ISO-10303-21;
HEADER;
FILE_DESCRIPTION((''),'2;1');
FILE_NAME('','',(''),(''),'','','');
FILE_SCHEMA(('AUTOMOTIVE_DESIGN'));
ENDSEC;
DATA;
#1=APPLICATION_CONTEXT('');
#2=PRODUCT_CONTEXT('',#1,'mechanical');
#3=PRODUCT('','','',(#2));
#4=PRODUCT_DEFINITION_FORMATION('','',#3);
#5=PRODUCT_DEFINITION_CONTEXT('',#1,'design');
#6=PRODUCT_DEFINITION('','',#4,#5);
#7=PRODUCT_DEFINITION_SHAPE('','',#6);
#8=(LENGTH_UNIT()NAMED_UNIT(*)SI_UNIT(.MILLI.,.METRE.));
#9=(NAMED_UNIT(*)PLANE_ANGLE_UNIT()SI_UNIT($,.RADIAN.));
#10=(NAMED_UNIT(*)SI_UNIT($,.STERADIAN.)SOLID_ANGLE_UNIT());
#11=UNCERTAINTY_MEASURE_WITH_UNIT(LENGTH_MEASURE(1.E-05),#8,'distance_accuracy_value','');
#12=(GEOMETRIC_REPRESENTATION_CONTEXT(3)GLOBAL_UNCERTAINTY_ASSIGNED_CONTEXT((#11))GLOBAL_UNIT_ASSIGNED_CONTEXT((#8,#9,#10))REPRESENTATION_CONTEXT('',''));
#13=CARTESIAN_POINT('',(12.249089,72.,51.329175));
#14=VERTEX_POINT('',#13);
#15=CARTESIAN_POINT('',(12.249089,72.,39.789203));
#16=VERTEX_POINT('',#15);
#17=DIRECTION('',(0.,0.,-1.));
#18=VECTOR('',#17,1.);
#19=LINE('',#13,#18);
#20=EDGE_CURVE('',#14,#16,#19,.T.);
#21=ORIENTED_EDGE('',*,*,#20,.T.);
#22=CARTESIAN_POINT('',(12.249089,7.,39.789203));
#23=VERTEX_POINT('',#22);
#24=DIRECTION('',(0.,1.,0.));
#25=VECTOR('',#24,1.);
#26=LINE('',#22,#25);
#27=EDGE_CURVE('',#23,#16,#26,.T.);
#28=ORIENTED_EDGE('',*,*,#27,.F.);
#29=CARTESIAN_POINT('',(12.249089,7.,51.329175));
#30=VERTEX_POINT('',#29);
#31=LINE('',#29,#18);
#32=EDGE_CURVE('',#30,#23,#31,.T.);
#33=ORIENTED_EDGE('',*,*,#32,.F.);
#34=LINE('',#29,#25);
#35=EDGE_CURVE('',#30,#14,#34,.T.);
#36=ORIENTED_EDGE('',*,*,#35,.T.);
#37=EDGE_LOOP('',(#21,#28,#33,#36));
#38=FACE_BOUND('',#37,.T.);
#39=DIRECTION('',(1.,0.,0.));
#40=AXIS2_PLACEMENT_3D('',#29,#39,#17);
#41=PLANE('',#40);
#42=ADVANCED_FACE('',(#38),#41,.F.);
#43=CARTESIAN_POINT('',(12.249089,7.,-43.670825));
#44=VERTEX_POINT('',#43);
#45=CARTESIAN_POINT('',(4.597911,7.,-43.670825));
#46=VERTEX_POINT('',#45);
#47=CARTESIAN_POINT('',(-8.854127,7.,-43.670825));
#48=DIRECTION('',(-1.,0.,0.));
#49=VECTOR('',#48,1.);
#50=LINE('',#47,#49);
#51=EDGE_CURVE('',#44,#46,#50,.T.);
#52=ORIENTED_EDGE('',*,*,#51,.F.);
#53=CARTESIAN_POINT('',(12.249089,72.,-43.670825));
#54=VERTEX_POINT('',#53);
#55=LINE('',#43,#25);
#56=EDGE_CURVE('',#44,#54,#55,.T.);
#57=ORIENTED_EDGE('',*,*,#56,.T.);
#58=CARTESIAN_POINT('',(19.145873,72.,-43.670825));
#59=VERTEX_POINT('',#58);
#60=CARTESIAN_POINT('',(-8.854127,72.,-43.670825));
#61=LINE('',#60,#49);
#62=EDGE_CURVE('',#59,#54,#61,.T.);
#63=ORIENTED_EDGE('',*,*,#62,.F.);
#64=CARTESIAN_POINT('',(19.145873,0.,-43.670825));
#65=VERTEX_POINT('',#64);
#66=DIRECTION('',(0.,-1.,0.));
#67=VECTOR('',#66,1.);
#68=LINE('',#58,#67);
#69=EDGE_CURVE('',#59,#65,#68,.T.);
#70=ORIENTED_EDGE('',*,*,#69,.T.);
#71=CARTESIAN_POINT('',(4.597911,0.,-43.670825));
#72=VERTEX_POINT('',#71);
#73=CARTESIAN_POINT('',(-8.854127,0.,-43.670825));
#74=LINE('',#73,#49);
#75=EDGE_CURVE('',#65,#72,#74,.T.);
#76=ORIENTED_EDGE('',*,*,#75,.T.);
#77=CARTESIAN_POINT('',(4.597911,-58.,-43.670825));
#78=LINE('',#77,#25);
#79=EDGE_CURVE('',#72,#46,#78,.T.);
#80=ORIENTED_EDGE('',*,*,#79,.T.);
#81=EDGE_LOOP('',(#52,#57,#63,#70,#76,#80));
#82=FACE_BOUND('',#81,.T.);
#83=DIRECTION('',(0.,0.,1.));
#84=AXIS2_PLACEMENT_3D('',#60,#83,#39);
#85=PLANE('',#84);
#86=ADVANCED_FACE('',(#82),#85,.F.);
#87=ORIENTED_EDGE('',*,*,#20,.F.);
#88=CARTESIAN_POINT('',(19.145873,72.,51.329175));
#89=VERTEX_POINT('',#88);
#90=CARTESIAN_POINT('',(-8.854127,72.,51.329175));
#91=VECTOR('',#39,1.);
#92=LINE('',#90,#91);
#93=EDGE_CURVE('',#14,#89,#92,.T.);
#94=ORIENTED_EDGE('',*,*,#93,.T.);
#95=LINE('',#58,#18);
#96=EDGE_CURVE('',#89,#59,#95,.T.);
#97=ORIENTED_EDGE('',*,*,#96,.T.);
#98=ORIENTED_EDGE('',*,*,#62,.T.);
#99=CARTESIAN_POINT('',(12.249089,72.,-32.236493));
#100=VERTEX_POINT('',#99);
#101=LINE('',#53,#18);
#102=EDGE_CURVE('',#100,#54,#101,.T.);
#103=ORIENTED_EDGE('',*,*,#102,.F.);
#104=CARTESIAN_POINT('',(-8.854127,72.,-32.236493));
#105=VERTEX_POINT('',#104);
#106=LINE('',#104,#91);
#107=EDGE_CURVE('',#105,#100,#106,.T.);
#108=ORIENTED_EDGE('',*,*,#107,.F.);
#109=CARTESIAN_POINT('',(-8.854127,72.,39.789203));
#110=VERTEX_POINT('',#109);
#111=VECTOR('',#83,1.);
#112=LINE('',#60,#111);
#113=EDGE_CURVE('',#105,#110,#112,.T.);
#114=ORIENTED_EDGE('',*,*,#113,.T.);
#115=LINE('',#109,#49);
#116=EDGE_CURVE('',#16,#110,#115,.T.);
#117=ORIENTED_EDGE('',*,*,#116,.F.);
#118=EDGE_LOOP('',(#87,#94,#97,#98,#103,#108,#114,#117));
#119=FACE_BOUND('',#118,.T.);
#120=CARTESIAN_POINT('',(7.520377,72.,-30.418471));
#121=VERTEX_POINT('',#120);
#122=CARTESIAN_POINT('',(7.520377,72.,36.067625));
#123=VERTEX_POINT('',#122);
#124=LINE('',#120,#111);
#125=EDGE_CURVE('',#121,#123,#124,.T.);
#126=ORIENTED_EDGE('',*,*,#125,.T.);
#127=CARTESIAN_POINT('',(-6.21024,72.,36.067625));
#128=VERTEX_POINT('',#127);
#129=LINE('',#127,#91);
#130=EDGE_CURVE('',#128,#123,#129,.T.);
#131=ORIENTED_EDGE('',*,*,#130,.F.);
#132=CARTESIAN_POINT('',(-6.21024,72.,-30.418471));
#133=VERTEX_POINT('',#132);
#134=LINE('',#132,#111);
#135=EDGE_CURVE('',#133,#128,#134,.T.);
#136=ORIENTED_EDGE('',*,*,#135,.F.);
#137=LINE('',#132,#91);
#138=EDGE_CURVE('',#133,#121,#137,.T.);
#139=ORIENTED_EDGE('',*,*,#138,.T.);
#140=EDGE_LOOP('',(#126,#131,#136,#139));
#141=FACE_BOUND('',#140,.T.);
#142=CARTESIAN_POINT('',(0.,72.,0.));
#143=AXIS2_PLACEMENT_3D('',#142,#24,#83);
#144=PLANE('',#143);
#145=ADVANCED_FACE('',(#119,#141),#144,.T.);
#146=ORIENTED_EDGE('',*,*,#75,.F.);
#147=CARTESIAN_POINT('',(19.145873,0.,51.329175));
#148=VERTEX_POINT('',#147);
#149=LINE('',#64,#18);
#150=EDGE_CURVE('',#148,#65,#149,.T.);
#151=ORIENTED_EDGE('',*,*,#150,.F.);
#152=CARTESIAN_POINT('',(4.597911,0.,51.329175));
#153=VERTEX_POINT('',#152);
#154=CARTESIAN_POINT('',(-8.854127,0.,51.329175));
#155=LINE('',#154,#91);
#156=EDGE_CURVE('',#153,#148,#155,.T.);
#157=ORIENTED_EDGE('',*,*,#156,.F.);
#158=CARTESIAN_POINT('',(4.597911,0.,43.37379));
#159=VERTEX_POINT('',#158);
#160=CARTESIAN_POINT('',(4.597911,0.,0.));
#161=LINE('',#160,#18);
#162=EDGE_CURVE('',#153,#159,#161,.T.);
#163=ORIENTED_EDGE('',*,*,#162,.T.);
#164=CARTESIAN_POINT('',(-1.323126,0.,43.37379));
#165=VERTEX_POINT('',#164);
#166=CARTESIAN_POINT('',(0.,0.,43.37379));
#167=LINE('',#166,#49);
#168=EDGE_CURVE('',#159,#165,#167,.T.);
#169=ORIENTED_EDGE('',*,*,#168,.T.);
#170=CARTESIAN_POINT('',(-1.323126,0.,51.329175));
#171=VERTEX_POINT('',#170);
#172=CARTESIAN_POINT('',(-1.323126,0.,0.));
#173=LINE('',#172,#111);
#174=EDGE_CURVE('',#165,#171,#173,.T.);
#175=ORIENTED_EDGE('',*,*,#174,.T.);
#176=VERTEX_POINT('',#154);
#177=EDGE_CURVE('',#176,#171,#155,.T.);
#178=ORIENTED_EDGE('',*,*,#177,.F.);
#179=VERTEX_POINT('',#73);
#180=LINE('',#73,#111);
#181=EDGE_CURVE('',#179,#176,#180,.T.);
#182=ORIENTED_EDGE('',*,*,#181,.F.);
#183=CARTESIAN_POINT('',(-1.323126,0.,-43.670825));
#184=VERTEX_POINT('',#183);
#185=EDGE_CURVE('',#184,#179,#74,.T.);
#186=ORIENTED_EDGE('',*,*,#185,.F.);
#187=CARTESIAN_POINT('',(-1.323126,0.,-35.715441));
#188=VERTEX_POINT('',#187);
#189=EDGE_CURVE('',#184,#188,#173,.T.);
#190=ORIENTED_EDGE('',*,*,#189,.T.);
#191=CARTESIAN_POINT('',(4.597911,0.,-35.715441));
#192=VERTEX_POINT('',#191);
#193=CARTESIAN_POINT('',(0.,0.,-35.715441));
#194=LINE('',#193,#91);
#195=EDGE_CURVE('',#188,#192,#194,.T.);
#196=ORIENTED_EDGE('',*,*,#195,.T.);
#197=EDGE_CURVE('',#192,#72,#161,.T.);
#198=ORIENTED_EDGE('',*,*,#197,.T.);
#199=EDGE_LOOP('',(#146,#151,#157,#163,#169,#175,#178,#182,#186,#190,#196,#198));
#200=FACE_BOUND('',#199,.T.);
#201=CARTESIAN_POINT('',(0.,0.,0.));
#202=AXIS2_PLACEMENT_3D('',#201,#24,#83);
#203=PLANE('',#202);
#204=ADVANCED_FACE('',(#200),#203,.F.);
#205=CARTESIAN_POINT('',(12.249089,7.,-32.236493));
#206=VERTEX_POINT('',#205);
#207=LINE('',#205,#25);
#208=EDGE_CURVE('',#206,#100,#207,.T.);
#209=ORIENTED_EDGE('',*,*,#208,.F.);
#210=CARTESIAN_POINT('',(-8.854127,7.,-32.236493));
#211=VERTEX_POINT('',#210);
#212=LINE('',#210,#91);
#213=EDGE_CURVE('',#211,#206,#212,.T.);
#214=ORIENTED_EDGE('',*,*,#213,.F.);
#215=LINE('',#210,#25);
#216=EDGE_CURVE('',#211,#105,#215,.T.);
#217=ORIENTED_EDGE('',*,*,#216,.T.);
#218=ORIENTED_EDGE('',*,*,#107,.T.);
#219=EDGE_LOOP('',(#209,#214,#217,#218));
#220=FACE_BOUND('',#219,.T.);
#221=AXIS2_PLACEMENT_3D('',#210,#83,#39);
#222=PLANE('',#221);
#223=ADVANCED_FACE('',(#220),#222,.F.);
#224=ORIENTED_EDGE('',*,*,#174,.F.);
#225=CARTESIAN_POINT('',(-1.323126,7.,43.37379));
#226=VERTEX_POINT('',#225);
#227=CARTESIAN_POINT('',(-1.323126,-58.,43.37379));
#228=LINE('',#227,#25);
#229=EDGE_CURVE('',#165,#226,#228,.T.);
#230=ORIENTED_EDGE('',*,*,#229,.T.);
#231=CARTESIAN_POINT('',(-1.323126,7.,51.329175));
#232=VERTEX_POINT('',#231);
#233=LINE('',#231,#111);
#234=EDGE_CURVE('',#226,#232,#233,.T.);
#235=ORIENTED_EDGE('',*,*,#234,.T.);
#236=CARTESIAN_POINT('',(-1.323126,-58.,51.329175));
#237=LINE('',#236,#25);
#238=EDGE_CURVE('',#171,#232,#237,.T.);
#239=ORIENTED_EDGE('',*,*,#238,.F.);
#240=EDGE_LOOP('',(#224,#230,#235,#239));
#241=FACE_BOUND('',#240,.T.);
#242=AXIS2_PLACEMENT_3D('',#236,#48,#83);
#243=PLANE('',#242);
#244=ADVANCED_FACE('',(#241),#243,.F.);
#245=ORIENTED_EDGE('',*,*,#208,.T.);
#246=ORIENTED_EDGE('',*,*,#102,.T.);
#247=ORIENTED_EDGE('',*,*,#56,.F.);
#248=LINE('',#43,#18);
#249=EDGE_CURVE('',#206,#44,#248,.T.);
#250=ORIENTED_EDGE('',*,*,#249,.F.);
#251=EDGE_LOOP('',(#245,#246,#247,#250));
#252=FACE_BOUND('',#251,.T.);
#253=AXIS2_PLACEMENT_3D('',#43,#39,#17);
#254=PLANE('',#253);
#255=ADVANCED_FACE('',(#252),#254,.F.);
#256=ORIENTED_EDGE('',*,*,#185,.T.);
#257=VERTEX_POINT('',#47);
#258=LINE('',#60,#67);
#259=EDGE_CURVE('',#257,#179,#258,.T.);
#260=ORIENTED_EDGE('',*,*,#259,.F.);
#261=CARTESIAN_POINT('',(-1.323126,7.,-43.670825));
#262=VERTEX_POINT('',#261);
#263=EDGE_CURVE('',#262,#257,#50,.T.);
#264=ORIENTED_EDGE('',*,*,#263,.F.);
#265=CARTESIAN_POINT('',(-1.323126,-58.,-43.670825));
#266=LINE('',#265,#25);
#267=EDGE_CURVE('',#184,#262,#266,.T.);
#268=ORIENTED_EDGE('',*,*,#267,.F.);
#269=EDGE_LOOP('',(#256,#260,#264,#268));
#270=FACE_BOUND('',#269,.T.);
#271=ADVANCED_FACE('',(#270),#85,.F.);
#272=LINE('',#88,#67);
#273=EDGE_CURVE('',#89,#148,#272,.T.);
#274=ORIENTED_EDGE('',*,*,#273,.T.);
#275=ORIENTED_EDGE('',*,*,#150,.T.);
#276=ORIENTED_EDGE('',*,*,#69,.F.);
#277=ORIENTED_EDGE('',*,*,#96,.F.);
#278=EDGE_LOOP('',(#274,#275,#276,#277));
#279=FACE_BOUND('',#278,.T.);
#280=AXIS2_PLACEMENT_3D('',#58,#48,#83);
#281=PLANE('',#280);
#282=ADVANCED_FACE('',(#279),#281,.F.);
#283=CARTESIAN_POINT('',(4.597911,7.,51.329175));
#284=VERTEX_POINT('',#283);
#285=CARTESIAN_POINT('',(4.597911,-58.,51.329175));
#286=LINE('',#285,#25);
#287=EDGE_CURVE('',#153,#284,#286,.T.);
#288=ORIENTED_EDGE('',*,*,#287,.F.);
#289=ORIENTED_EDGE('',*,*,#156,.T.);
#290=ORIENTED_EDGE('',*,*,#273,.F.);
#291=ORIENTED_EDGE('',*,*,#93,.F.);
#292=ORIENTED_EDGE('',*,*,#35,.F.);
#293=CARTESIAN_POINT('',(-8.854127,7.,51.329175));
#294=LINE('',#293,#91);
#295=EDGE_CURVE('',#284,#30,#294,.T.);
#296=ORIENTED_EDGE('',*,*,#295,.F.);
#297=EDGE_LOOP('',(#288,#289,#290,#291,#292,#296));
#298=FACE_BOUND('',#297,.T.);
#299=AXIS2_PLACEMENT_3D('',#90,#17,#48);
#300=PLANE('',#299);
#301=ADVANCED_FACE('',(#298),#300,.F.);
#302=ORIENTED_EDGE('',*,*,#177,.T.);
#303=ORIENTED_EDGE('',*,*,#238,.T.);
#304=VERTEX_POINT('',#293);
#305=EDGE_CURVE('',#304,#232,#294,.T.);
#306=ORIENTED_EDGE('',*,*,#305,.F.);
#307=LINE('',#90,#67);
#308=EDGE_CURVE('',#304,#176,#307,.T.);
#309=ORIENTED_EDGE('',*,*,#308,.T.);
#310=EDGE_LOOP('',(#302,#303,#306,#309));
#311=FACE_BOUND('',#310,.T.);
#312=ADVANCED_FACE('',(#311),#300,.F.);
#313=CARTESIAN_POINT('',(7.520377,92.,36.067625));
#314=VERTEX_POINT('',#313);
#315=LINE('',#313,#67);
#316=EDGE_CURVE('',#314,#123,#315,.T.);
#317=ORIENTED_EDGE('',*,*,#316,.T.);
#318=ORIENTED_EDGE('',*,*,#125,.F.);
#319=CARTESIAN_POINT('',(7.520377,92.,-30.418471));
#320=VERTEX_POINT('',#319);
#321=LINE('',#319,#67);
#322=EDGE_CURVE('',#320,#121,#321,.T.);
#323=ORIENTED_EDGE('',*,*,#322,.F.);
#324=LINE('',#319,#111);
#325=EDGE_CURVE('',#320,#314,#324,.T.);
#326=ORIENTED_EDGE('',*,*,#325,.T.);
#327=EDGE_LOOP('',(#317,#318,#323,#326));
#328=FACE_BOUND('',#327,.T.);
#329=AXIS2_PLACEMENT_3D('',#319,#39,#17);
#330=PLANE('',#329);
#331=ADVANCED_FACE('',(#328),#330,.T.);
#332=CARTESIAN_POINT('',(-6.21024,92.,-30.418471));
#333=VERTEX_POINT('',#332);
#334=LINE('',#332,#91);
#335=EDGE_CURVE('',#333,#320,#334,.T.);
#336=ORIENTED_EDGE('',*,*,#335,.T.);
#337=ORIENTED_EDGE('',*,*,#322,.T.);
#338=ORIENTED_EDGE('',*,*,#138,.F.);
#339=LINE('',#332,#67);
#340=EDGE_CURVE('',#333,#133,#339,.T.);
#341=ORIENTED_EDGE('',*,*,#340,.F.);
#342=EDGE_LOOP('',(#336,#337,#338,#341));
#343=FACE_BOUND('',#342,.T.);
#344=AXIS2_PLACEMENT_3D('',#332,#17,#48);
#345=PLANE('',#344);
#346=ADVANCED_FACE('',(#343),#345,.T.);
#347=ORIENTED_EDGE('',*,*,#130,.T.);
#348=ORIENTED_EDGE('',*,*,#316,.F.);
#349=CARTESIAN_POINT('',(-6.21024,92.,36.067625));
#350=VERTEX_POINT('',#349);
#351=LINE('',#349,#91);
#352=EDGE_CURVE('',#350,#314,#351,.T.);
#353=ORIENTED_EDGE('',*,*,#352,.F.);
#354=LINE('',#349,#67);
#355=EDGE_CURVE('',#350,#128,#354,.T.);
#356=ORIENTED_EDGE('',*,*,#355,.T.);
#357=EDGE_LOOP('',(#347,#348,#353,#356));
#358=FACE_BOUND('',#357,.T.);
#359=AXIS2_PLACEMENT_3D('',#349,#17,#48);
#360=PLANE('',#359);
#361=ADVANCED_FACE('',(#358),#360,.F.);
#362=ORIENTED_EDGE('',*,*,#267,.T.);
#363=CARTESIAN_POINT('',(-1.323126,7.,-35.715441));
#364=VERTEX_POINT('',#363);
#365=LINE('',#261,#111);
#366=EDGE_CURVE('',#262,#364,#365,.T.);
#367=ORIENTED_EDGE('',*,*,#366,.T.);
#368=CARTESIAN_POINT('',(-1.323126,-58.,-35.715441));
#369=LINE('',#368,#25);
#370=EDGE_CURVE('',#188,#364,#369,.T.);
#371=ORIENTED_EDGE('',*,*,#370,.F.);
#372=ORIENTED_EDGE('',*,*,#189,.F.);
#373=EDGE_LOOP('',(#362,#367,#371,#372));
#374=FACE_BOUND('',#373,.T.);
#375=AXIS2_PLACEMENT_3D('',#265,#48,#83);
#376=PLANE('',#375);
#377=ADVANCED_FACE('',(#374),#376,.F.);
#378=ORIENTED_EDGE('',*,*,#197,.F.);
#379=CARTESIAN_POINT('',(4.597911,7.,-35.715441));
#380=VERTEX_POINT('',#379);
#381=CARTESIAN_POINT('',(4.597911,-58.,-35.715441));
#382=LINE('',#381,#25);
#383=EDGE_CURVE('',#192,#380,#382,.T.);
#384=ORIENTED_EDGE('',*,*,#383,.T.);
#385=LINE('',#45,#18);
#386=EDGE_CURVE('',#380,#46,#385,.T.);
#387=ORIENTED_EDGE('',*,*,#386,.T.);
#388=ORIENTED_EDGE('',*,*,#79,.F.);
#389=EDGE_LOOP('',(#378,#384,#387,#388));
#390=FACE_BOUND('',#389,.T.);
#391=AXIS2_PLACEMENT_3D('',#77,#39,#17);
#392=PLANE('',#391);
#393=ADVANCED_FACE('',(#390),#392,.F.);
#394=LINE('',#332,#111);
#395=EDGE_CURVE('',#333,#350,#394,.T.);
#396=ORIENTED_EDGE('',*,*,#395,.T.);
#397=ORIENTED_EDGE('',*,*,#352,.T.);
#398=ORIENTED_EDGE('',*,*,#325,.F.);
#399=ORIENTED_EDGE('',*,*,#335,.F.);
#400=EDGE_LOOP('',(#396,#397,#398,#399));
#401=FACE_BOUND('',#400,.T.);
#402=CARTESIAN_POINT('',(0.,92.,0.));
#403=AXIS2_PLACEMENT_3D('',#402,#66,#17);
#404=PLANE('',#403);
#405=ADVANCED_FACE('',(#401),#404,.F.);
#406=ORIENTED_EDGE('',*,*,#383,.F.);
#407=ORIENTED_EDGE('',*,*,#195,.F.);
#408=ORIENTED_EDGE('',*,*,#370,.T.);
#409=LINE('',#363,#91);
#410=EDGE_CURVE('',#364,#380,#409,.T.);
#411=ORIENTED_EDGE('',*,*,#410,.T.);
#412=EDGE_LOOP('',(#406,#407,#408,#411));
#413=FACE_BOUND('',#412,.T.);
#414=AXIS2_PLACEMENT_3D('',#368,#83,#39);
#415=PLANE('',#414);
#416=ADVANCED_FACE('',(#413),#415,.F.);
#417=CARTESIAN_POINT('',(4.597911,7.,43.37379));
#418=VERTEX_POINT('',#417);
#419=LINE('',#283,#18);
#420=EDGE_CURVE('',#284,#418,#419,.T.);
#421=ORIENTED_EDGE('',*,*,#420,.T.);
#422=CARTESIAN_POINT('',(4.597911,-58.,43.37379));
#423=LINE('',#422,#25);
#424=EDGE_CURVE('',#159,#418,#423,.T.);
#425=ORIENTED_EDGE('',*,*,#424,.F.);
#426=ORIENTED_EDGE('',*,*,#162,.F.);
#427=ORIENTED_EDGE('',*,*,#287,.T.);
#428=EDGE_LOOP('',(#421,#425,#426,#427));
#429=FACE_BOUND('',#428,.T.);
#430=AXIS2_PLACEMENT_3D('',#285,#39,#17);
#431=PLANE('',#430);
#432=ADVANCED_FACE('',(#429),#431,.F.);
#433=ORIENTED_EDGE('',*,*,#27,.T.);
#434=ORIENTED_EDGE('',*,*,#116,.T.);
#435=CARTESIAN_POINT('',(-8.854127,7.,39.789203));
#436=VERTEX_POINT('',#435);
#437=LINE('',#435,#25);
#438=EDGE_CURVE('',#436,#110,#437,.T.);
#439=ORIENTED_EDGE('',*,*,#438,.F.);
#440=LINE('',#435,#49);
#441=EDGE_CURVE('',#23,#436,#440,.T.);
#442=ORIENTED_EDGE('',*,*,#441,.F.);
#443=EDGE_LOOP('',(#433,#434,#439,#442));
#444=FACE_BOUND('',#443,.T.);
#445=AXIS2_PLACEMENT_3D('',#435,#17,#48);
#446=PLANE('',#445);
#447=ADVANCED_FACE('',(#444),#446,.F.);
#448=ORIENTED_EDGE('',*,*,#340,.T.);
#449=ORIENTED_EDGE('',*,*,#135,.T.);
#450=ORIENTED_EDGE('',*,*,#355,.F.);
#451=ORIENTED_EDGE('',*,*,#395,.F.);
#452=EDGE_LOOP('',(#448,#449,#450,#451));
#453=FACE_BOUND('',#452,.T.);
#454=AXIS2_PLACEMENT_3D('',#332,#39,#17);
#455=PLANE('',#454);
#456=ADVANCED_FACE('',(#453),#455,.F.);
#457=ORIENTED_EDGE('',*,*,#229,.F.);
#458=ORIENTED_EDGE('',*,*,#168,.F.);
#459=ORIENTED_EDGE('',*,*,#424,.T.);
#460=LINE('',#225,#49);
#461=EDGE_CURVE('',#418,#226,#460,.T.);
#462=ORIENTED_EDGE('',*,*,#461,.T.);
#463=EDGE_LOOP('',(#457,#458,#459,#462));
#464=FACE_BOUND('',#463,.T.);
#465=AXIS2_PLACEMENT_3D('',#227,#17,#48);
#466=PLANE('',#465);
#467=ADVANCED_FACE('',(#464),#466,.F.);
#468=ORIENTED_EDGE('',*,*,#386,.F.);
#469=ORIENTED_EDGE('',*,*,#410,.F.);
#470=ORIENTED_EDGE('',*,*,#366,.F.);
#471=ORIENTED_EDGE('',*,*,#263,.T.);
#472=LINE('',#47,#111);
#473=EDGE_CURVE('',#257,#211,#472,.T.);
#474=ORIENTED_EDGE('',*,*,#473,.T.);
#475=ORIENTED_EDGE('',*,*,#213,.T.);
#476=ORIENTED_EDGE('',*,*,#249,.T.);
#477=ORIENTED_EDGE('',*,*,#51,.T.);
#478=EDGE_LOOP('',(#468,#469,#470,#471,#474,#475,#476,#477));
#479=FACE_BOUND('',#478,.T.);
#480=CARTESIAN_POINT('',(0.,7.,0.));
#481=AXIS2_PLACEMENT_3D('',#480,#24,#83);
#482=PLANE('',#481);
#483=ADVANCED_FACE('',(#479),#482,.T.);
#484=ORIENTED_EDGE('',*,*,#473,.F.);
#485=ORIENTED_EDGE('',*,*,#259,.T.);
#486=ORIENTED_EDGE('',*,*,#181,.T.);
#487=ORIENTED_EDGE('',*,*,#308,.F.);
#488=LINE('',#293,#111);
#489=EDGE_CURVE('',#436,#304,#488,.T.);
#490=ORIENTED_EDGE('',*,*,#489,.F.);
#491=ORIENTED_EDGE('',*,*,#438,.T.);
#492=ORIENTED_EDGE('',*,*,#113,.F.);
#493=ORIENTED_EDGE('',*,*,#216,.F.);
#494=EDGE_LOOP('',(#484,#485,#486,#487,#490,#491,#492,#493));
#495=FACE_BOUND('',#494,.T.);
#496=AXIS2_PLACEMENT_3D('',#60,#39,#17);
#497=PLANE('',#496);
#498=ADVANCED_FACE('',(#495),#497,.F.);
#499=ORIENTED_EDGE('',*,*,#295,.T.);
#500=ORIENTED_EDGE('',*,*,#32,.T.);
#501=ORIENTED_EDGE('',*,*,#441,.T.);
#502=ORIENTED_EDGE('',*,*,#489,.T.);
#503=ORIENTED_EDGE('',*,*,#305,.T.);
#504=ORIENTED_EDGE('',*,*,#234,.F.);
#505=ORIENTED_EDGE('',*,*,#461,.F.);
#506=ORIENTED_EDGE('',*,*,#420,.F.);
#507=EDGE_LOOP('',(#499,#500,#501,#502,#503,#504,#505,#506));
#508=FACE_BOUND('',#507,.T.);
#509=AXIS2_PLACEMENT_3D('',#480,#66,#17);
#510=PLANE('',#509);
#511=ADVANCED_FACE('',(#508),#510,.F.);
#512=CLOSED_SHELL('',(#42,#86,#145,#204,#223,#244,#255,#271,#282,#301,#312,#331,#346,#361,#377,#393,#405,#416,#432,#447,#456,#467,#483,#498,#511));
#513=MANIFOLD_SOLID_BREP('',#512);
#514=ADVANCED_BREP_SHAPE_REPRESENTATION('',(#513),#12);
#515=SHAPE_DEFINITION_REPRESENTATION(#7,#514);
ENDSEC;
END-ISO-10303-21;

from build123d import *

# Parameters (mm, degrees)
SKETCH1_W           = 28
SKETCH1_H           = 95
BOSS_EXTRUDE1_DEPTH = 72
SKETCH2_W           = 13.730616592
SKETCH2_H           = 66.486096825
BOSS_EXTRUDE2_DEPTH = 20
SKETCH3_W           = 21.103215472
SKETCH3_H           = 11.539971669
SKETCH3_H_2         = 11.43433275
CUT_EXTRUDE1_DEPTH  = 65
SKETCH4_W           = 5.921037469
SKETCH4_H           = 7.955384718
CUT_EXTRUDE2_DEPTH  = 65


with BuildPart() as part:
    # Sketch1 → Boss-Extrude1 (new body)
    with BuildSketch(Plane(origin=(0, 0, 0), x_dir=(1, 0, 0), z_dir=(0, 1, 0))):
        with Locations((5.145873321, -3.829174664)):
            Rectangle(SKETCH1_W, SKETCH1_H)
    extrude(amount=BOSS_EXTRUDE1_DEPTH)

    # Sketch2 → Boss-Extrude2 (add)
    with BuildSketch(Plane(origin=(0, 72, 0), x_dir=(1, 0, 0), z_dir=(0, 1, 0))):
        with Locations((0.655068483, -2.824577048)):
            Rectangle(SKETCH2_W, SKETCH2_H)
    extrude(amount=BOSS_EXTRUDE2_DEPTH)

    # Sketch3 → Cut-Extrude1 (cut)
    with BuildSketch(Plane(origin=(0, 72, 0), x_dir=(1, 0, 0), z_dir=(0, 1, 0))):
        with Locations((1.697481057, -45.55918883)):
            Rectangle(SKETCH3_W, SKETCH3_H)
        with Locations((1.697481057, 37.953658961)):
            Rectangle(SKETCH3_W, SKETCH3_H_2)
    extrude(amount=-CUT_EXTRUDE1_DEPTH, mode=Mode.SUBTRACT)

    # Sketch4 → Cut-Extrude2 (cut)
    with BuildSketch(Plane(origin=(0, 7, 0), x_dir=(1, 0, 0), z_dir=(0, 1, 0))):
        with Locations((1.637392249, -47.351482305)):
            Rectangle(SKETCH4_W, SKETCH4_H)
        with Locations((1.637392249, 39.693132977)):
            Rectangle(SKETCH4_W, SKETCH4_H)
    extrude(amount=-CUT_EXTRUDE2_DEPTH, mode=Mode.SUBTRACT)


solid = part.part
